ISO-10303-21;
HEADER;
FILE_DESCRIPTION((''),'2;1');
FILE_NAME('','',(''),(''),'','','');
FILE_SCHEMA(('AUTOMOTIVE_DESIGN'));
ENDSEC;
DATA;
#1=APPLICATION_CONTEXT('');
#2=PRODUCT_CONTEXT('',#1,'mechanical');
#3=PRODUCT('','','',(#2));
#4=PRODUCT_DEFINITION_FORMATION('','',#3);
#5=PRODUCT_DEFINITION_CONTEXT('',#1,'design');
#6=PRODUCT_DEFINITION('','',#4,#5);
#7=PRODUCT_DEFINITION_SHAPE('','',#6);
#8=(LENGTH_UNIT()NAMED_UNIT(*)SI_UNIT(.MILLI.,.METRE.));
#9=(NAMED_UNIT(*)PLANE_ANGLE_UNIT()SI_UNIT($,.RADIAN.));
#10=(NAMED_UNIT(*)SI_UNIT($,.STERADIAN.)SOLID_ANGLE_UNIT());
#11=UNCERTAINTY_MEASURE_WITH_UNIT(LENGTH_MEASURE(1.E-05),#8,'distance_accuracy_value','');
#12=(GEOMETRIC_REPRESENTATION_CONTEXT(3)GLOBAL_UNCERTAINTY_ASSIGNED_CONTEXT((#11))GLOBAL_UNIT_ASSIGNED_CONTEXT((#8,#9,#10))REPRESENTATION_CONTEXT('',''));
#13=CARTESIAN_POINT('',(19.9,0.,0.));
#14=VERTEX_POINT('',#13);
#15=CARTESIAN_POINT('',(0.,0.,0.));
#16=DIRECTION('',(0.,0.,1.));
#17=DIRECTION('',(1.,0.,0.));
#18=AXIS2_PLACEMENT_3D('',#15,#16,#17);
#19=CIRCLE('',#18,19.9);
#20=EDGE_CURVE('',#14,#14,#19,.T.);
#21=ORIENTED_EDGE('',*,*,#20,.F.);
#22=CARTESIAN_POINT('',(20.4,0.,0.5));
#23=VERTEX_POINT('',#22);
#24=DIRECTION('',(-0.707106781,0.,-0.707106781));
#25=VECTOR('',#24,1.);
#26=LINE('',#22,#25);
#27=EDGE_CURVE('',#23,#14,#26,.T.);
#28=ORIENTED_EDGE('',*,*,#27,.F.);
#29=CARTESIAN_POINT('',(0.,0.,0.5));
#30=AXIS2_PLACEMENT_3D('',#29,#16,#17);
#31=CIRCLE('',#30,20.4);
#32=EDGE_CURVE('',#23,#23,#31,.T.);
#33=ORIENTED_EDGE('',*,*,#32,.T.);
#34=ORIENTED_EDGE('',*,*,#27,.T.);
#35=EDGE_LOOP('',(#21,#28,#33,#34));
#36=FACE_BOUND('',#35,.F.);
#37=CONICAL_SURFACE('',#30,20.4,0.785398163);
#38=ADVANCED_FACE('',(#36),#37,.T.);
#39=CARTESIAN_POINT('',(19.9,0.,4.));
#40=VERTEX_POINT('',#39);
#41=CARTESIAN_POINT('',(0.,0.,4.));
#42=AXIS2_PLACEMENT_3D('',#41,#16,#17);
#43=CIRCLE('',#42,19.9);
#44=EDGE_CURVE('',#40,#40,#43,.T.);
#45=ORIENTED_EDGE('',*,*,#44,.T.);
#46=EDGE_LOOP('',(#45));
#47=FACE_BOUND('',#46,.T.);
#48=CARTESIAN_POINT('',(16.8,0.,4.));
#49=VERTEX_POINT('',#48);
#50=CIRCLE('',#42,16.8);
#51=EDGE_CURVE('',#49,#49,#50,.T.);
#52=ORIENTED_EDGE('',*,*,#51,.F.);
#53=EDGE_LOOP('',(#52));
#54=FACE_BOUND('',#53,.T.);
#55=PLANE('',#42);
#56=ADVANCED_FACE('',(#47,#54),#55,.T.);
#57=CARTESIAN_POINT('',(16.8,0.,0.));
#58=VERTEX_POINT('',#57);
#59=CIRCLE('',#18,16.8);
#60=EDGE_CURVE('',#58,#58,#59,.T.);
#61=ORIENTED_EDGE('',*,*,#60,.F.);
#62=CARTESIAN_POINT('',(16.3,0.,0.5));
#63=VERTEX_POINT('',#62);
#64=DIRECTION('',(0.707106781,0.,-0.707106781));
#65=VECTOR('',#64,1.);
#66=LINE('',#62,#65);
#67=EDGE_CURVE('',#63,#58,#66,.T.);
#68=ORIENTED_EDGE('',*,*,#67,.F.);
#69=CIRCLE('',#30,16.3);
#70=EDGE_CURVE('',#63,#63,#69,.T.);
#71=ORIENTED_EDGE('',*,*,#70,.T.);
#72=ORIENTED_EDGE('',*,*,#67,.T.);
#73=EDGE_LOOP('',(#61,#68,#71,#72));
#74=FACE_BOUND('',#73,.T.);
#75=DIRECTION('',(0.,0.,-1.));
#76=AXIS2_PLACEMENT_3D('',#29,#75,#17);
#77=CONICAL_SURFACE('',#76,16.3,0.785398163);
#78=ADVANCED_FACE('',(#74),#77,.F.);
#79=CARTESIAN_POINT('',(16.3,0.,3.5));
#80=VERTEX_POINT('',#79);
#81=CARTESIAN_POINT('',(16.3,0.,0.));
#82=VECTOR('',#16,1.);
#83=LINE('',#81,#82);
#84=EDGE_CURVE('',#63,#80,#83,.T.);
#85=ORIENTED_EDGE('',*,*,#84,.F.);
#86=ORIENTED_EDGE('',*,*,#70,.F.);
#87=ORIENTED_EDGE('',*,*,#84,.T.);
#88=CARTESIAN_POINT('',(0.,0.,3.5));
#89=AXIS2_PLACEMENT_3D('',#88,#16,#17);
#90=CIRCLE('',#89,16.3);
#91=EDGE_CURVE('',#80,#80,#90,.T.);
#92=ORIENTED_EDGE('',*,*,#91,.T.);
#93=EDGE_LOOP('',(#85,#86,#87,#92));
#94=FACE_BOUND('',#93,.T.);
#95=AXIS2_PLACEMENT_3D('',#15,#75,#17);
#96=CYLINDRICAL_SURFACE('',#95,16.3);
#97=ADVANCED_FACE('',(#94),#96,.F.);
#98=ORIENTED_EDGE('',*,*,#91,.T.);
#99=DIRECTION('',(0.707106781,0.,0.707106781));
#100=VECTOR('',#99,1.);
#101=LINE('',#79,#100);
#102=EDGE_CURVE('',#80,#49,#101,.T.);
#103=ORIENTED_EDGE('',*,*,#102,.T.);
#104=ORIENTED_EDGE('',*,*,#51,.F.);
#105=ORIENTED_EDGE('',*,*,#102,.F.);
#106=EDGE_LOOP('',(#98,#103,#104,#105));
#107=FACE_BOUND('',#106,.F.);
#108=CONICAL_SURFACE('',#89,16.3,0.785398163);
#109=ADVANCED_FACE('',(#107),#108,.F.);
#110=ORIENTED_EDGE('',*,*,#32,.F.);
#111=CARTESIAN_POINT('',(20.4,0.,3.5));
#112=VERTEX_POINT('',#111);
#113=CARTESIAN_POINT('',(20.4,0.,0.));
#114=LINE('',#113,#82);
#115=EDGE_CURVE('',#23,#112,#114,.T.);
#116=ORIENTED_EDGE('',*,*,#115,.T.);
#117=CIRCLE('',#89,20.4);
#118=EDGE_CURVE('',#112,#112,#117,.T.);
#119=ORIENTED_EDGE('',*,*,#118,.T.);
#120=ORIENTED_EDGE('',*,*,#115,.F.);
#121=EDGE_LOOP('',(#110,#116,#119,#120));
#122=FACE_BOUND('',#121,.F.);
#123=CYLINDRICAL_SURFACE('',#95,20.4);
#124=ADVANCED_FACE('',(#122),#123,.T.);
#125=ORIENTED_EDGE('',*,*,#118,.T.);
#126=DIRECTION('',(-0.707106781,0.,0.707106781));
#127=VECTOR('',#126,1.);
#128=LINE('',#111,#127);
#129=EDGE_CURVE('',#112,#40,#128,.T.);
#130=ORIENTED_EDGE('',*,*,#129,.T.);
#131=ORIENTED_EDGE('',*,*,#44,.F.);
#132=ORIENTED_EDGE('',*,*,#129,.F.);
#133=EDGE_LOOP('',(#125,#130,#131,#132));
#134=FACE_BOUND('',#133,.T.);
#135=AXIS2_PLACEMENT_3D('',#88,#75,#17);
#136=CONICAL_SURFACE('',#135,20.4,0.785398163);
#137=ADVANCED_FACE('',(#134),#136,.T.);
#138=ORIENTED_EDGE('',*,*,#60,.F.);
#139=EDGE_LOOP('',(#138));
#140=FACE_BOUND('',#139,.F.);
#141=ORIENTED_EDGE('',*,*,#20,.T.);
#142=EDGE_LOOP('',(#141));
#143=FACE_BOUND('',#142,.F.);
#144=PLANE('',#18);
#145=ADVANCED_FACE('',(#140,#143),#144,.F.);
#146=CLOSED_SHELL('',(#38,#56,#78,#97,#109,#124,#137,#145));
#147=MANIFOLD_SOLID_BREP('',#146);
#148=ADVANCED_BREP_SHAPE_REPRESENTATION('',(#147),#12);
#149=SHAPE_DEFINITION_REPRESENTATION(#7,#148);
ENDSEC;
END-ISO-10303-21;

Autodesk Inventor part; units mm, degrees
ref_plane "YZ Plane" through (0, 0, 0) normal (1, 0, 0) x (0, 1, 0)
ref_plane "XZ Plane" through (0, 0, 0) normal (0, 1, 0) x (-1, 0, 0)
ref_plane "XY Plane" through (0, 0, 0) normal (0, 0, 1) x (1, 0, 0)
sketch "草图1" plane through (0, 0, 0) normal (0, 0, 1) x (1, 0, 0)
  circle A0 centre (0, 0) radius 20.4
  circle A1 centre (0, 0) radius 16.3
extrude "拉伸1" add sketch "草图1" along normal blind 4
chamfer "倒角1" distance 0.5 angle 45 4 edges at (-16.3, 0, 4) (-16.3, 0, 0) (-20.4, 0, 4) (-20.4, 0, 0)
properties part number "my_attempt_v2"
